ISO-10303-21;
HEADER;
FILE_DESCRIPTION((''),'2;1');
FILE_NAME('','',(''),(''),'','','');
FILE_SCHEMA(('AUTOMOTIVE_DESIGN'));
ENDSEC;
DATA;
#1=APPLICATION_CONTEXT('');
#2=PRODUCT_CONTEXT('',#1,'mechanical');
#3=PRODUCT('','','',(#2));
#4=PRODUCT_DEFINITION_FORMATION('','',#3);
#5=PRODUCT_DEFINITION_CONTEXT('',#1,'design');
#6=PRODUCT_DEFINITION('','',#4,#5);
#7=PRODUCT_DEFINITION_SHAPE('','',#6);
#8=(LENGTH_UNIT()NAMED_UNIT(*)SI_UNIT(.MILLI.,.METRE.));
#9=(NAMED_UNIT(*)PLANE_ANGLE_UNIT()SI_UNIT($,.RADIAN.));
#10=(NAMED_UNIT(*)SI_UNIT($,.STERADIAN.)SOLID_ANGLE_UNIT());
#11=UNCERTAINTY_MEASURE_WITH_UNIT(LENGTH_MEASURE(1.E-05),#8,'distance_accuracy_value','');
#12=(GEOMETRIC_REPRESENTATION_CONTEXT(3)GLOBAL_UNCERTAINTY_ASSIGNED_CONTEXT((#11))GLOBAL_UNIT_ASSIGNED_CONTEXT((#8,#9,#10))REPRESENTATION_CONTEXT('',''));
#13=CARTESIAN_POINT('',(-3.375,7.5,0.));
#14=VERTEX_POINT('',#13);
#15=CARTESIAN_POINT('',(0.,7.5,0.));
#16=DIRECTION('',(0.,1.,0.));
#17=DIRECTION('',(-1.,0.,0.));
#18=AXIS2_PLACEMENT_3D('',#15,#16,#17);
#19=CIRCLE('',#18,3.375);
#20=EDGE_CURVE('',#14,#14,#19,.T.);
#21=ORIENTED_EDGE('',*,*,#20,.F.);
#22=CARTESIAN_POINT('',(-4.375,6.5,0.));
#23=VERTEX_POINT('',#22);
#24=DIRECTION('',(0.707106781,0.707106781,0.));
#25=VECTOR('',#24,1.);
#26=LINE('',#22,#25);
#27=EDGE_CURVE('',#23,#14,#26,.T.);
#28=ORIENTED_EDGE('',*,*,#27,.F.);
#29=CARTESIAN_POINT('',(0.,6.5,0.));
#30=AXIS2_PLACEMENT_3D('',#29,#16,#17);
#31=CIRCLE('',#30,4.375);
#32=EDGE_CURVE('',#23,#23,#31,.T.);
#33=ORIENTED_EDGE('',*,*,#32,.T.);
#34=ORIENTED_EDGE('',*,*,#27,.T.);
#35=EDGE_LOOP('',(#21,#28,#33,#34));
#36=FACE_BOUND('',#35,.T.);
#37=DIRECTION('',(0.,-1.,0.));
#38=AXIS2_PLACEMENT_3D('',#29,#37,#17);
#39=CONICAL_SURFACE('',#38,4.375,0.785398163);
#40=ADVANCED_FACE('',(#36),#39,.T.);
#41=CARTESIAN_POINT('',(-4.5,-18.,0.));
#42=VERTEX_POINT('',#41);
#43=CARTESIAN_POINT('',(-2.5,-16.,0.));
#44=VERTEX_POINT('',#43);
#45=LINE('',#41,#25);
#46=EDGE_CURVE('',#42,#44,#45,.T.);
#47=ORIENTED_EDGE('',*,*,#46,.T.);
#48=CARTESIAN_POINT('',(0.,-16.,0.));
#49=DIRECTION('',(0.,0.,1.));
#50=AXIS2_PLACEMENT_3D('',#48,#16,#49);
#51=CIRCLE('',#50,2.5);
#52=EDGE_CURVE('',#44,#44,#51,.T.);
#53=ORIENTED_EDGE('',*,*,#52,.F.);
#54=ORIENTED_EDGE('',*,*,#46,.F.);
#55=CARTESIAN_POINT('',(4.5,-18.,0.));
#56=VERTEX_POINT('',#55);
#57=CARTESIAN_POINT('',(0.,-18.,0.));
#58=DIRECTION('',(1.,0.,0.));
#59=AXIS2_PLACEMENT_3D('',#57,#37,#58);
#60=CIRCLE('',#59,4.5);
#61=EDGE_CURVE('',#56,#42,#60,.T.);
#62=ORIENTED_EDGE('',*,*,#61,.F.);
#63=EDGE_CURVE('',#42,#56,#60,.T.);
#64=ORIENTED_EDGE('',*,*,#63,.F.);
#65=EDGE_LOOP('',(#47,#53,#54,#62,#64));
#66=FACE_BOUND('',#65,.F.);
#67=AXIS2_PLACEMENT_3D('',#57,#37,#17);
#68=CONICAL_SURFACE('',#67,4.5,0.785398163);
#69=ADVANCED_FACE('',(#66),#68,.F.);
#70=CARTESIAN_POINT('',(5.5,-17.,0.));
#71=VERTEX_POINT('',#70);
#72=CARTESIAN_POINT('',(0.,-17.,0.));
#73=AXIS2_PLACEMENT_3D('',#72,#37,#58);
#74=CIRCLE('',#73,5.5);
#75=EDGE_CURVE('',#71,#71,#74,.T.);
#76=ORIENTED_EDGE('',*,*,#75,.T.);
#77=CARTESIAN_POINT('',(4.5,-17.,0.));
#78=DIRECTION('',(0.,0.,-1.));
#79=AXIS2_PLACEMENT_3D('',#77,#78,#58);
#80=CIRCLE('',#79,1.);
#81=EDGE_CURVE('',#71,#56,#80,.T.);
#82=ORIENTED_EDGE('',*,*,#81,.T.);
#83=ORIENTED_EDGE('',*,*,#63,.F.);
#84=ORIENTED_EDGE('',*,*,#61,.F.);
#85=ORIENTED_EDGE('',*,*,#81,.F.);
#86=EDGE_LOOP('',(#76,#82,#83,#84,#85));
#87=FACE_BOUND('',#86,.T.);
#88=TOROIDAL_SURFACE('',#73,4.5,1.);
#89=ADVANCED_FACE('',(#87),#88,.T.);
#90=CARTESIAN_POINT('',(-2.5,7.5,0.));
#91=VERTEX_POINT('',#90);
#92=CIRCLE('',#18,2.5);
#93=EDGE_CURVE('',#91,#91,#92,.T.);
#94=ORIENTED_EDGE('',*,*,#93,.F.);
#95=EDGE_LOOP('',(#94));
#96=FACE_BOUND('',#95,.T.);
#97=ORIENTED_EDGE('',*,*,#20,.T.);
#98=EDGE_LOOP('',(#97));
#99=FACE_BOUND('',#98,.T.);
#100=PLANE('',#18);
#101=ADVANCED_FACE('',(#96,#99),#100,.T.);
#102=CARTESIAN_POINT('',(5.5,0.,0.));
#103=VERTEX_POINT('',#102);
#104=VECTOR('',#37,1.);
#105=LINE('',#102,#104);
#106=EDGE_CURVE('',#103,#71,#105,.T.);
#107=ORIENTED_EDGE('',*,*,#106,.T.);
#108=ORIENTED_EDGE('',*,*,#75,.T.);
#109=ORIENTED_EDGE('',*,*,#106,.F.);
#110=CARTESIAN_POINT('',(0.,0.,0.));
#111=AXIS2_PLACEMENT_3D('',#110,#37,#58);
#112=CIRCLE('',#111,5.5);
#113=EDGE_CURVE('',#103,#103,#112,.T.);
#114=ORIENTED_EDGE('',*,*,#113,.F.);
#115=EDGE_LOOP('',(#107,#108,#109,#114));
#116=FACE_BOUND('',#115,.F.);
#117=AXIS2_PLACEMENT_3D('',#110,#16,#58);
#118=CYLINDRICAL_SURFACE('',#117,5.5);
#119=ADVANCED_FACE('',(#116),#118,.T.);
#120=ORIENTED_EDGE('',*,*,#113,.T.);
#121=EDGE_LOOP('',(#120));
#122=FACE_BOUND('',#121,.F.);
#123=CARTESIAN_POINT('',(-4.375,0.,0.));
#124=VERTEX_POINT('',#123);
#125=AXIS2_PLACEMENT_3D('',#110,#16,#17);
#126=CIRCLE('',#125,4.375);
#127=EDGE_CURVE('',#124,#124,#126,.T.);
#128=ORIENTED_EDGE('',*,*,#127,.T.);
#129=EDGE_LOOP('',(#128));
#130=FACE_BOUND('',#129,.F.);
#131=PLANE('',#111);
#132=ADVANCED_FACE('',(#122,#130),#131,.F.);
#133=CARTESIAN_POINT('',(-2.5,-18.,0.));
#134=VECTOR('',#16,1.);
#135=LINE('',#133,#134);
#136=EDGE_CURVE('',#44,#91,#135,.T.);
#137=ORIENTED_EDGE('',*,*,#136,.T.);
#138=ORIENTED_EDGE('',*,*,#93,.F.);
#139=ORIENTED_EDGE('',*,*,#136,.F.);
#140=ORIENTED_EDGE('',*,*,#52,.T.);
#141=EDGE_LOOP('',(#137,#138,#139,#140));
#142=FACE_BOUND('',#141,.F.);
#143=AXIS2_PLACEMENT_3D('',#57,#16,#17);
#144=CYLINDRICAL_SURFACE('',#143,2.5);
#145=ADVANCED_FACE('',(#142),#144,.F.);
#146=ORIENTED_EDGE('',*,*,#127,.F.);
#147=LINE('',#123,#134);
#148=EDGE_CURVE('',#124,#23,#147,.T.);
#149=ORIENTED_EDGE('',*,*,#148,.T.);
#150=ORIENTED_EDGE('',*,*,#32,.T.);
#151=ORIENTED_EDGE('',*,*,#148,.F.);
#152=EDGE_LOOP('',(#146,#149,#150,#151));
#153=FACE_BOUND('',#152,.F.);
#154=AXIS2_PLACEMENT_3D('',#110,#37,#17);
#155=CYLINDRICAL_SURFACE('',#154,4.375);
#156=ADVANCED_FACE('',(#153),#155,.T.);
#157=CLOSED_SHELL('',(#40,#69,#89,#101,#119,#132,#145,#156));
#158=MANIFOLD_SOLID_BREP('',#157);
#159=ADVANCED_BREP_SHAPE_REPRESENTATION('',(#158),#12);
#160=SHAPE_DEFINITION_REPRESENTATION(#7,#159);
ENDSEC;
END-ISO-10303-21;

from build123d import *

# Parameters (mm, degrees)
F0_R           = 5.5
F1_DEPTH       = 18
F2_R           = 1
F3_R           = 4.375
F4_DEPTH       = 7.5
F5_SIZE        = 1
F7_D           = 5
F7_CSINK_D     = 9
F7_CSINK_ANGLE = 90


with BuildPart() as f1:
    # F0 (on Front) → F1 (new body)
    with BuildSketch(Plane.XZ):
        Circle(F0_R)
    extrude(amount=F1_DEPTH)

    # F2
    f2_edges = [f1.edges().sort_by_distance(p)[0] for p in [
        (-5.5, -18, 0),
    ]]
    fillet(f2_edges, radius=F2_R)

    # F3 (on face) → F4 (join)
    with BuildSketch(Plane(origin=(0, 0, 0), x_dir=(-1, 0, 0), z_dir=(0, 1, 0))):
        Circle(F3_R)
    extrude(amount=F4_DEPTH)

    # F5
    f5_edges = [f1.edges().sort_by_distance(p)[0] for p in [
        (4.375, 7.5, 0),
    ]]
    chamfer(f5_edges, length=F5_SIZE)

    # F7 (through all)
    with Locations(Plane.XZ.offset(18)):
        with Locations((0, 0)):
            CounterSinkHole(F7_D / 2, F7_CSINK_D / 2, counter_sink_angle=F7_CSINK_ANGLE)


solid = f1.part
